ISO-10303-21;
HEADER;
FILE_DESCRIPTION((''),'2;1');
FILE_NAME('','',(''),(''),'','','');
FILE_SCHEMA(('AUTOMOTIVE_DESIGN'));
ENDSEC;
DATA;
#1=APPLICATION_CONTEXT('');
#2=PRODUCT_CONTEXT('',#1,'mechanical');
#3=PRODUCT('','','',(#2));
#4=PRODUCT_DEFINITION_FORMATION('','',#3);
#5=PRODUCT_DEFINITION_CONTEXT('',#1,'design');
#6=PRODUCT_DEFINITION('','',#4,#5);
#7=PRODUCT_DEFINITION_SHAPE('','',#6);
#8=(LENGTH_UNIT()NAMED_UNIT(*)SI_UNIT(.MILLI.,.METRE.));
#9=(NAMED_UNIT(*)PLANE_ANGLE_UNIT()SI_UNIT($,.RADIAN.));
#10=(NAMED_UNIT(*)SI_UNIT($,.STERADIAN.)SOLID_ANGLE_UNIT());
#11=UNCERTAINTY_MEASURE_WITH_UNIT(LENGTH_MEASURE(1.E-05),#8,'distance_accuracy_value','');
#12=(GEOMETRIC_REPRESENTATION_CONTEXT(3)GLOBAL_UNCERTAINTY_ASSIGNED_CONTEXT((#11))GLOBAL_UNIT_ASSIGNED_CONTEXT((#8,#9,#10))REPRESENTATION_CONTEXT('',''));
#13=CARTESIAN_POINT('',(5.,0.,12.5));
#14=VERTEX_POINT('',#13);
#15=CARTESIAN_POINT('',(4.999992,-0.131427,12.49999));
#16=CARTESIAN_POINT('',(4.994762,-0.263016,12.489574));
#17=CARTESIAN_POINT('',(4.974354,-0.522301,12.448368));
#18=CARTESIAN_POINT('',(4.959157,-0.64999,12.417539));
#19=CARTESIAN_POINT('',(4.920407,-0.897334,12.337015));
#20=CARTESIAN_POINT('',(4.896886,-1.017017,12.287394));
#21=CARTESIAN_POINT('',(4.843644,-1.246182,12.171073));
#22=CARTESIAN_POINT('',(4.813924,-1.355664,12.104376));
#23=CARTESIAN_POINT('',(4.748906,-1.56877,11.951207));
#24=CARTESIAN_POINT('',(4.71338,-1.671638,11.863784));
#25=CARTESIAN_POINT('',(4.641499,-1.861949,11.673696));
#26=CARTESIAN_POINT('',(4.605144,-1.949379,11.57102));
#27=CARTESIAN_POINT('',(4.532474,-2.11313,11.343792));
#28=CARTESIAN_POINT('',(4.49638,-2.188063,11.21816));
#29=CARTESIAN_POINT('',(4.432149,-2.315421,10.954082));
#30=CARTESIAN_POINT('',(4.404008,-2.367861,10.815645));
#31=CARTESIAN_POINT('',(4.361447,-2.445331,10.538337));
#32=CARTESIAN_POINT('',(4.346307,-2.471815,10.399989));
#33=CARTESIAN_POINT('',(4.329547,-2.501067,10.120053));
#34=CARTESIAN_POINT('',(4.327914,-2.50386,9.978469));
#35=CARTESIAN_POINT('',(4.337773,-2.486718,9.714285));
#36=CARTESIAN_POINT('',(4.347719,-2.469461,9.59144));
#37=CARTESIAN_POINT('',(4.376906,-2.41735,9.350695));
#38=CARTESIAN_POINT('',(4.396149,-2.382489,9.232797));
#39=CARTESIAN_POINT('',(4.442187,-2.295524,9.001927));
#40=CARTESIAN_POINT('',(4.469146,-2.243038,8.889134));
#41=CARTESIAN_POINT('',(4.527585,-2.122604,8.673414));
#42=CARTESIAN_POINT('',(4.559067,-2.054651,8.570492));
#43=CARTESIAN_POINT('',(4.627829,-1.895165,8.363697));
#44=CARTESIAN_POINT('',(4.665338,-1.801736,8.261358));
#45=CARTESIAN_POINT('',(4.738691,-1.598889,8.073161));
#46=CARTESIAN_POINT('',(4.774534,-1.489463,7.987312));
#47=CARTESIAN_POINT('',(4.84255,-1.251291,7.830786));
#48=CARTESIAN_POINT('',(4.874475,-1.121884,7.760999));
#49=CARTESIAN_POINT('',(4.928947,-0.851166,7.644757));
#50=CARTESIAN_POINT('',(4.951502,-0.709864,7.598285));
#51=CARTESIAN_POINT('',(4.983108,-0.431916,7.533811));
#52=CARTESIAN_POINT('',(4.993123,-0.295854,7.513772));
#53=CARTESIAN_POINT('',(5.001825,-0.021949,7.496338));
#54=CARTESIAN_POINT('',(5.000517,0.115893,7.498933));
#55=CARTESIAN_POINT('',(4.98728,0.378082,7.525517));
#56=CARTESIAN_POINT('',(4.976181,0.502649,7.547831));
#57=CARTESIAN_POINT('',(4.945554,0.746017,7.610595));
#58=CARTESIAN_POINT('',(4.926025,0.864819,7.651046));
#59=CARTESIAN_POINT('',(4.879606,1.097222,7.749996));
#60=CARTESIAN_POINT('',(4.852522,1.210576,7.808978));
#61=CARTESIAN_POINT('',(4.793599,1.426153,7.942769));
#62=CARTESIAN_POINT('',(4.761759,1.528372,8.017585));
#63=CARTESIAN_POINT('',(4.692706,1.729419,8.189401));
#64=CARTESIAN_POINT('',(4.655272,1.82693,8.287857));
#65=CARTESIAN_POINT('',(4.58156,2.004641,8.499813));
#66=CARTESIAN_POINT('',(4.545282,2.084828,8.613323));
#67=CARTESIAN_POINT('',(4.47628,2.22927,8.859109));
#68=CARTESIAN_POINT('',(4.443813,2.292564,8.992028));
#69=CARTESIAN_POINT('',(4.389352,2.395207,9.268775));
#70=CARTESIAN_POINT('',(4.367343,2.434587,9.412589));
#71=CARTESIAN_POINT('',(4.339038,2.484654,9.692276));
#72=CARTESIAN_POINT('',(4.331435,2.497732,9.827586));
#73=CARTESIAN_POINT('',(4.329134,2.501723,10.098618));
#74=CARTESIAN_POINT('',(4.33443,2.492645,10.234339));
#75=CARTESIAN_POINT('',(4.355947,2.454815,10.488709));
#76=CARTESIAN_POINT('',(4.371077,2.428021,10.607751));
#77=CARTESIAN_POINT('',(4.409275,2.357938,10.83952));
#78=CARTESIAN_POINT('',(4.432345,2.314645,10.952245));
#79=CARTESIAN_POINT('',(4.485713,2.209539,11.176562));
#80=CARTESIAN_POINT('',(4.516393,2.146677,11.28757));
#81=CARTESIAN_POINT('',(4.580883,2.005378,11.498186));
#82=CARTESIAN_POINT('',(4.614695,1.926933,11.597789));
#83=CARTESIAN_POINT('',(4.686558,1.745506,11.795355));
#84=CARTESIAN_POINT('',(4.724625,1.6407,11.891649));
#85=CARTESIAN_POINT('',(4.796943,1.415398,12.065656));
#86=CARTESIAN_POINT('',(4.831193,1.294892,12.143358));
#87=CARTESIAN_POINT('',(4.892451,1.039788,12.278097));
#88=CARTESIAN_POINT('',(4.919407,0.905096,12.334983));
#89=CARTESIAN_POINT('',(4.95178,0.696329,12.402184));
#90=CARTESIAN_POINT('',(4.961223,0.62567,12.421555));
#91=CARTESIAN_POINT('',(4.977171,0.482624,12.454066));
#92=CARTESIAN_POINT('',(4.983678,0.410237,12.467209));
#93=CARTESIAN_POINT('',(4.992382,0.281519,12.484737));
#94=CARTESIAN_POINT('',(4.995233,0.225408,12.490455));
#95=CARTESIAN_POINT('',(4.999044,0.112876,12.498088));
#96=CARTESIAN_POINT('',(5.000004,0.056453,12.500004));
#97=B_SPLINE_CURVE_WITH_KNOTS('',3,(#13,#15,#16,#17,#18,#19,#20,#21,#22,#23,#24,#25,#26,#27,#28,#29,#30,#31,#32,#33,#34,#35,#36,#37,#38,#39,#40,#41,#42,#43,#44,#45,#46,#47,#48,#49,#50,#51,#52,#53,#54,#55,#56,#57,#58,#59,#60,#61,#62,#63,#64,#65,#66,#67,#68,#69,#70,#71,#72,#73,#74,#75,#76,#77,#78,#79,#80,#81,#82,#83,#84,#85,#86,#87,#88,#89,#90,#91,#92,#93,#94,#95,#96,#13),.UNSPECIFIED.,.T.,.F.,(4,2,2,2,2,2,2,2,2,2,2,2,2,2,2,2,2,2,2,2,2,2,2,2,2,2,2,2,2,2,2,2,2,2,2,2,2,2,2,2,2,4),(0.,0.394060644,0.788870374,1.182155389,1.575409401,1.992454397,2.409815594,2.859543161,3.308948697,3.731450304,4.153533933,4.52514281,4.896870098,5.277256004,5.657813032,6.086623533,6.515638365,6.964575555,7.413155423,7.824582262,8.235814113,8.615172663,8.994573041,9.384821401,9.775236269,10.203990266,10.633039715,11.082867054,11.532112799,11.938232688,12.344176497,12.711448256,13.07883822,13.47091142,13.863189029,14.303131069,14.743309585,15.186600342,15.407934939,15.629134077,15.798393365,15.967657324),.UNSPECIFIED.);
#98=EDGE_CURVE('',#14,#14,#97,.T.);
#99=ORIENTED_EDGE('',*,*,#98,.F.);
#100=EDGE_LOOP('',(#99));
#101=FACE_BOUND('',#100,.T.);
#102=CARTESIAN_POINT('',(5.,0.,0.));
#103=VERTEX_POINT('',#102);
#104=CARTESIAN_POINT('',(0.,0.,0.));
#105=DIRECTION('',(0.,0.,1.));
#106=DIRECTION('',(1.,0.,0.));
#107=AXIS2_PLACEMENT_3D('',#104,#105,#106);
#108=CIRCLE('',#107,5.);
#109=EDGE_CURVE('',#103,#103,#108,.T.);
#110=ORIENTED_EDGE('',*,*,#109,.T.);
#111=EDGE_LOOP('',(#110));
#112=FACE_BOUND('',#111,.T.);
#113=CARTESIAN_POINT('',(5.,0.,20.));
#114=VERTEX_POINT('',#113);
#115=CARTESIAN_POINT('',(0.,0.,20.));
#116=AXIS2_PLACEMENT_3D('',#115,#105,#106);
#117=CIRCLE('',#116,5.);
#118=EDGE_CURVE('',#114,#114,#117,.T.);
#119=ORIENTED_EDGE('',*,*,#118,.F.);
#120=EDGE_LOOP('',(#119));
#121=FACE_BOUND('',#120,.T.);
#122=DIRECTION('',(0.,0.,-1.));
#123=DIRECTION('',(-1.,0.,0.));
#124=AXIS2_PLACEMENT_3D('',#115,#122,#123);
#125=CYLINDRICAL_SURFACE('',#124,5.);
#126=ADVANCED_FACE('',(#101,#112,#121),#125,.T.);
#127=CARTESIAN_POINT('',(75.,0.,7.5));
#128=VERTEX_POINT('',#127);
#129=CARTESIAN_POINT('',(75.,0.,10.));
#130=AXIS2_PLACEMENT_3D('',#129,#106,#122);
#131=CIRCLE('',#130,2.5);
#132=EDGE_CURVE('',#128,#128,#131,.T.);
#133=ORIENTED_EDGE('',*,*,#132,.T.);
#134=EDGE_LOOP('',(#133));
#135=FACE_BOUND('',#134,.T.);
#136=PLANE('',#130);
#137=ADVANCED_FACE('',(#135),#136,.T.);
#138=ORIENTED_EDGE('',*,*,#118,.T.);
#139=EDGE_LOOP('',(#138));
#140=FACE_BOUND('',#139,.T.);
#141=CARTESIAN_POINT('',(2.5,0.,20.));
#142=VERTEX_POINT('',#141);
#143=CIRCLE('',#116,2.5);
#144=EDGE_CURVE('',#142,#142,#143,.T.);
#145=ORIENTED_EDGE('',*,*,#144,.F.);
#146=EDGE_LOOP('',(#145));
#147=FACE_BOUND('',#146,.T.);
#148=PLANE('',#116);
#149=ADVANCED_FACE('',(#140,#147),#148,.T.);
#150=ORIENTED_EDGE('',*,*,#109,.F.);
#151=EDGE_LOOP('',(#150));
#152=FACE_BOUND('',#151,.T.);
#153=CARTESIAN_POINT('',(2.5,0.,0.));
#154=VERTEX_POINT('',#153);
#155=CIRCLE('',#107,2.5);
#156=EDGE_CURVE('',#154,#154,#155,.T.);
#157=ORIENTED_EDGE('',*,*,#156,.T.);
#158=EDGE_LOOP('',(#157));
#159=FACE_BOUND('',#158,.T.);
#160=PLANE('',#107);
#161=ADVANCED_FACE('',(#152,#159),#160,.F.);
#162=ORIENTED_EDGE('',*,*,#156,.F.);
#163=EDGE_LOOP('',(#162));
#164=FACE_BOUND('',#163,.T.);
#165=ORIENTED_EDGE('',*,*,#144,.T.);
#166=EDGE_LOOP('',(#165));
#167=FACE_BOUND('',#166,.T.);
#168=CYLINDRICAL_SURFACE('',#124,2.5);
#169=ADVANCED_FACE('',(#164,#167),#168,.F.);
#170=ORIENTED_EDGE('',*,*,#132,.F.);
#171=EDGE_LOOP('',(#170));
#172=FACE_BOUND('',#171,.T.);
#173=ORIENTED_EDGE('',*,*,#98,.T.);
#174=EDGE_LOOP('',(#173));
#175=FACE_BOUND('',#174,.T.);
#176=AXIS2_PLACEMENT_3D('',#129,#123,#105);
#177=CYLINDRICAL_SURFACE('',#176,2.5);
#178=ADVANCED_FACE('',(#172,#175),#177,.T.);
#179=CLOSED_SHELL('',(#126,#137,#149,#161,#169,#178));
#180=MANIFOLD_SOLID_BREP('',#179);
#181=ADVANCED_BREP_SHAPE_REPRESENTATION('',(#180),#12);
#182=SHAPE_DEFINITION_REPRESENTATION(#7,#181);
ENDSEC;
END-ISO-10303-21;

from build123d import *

# Parameters (mm, degrees)
ESQUISSE1_R                         = 5
ESQUISSE1_R_2                       = 2.5
BOSS_EXTRU_1_DEPTH                  = 20
ESQUISSE2_R                         = 2.5
BOSS_EXTRU_2_DEPTH                  = 70
BOSS_EXTRU_2_DIRECTION_2_REACH      = 24.913
BOSS_EXTRU_2_DIRECTION_2_END_RADIUS = 5


with BuildPart() as part:
    # Esquisse1 → Boss.-Extru.1 (new body)
    with BuildSketch(Plane.XY):
        Circle(ESQUISSE1_R)
        Circle(ESQUISSE1_R_2, mode=Mode.SUBTRACT)
    extrude(amount=BOSS_EXTRU_1_DEPTH)

    # Esquisse2 → Boss.-Extru.2 (add)
    with BuildSketch(Plane(origin=(5, 0, 0), x_dir=(0, 0, -1), z_dir=(1, 0, 0))):
        with Locations((-10, 0)):
            Circle(ESQUISSE2_R)
    extrude(amount=BOSS_EXTRU_2_DEPTH)

    # Boss.-Extru.2 direction 2: up to this cylinder (the profile starts outside it)
    boss_extru_2_direction_2_end = Plane(origin=(0, 0, 10), z_dir=(0, 0, -1)) * Cylinder(BOSS_EXTRU_2_DIRECTION_2_END_RADIUS, 60.826, mode=Mode.PRIVATE)
    # Esquisse2 → Boss.-Extru.2 direction 2 (add, up to the surface)
    with BuildSketch(Plane(origin=(5, 0, 0), x_dir=(0, 0, -1), z_dir=(1, 0, 0)), mode=Mode.PRIVATE) as boss_extru_2_direction_2_sk1:
        with Locations((-10, 0)):
            Circle(ESQUISSE2_R)
    boss_extru_2_direction_2_tool1 = extrude(boss_extru_2_direction_2_sk1.sketch, amount=-BOSS_EXTRU_2_DIRECTION_2_REACH, mode=Mode.PRIVATE) - boss_extru_2_direction_2_end
    add(boss_extru_2_direction_2_tool1.solids().sort_by_distance((5, 0, 10))[0])
    add(boss_extru_2_direction_2_tool1.solids().sort_by_distance((5, 0, 10))[1])


solid = part.part
